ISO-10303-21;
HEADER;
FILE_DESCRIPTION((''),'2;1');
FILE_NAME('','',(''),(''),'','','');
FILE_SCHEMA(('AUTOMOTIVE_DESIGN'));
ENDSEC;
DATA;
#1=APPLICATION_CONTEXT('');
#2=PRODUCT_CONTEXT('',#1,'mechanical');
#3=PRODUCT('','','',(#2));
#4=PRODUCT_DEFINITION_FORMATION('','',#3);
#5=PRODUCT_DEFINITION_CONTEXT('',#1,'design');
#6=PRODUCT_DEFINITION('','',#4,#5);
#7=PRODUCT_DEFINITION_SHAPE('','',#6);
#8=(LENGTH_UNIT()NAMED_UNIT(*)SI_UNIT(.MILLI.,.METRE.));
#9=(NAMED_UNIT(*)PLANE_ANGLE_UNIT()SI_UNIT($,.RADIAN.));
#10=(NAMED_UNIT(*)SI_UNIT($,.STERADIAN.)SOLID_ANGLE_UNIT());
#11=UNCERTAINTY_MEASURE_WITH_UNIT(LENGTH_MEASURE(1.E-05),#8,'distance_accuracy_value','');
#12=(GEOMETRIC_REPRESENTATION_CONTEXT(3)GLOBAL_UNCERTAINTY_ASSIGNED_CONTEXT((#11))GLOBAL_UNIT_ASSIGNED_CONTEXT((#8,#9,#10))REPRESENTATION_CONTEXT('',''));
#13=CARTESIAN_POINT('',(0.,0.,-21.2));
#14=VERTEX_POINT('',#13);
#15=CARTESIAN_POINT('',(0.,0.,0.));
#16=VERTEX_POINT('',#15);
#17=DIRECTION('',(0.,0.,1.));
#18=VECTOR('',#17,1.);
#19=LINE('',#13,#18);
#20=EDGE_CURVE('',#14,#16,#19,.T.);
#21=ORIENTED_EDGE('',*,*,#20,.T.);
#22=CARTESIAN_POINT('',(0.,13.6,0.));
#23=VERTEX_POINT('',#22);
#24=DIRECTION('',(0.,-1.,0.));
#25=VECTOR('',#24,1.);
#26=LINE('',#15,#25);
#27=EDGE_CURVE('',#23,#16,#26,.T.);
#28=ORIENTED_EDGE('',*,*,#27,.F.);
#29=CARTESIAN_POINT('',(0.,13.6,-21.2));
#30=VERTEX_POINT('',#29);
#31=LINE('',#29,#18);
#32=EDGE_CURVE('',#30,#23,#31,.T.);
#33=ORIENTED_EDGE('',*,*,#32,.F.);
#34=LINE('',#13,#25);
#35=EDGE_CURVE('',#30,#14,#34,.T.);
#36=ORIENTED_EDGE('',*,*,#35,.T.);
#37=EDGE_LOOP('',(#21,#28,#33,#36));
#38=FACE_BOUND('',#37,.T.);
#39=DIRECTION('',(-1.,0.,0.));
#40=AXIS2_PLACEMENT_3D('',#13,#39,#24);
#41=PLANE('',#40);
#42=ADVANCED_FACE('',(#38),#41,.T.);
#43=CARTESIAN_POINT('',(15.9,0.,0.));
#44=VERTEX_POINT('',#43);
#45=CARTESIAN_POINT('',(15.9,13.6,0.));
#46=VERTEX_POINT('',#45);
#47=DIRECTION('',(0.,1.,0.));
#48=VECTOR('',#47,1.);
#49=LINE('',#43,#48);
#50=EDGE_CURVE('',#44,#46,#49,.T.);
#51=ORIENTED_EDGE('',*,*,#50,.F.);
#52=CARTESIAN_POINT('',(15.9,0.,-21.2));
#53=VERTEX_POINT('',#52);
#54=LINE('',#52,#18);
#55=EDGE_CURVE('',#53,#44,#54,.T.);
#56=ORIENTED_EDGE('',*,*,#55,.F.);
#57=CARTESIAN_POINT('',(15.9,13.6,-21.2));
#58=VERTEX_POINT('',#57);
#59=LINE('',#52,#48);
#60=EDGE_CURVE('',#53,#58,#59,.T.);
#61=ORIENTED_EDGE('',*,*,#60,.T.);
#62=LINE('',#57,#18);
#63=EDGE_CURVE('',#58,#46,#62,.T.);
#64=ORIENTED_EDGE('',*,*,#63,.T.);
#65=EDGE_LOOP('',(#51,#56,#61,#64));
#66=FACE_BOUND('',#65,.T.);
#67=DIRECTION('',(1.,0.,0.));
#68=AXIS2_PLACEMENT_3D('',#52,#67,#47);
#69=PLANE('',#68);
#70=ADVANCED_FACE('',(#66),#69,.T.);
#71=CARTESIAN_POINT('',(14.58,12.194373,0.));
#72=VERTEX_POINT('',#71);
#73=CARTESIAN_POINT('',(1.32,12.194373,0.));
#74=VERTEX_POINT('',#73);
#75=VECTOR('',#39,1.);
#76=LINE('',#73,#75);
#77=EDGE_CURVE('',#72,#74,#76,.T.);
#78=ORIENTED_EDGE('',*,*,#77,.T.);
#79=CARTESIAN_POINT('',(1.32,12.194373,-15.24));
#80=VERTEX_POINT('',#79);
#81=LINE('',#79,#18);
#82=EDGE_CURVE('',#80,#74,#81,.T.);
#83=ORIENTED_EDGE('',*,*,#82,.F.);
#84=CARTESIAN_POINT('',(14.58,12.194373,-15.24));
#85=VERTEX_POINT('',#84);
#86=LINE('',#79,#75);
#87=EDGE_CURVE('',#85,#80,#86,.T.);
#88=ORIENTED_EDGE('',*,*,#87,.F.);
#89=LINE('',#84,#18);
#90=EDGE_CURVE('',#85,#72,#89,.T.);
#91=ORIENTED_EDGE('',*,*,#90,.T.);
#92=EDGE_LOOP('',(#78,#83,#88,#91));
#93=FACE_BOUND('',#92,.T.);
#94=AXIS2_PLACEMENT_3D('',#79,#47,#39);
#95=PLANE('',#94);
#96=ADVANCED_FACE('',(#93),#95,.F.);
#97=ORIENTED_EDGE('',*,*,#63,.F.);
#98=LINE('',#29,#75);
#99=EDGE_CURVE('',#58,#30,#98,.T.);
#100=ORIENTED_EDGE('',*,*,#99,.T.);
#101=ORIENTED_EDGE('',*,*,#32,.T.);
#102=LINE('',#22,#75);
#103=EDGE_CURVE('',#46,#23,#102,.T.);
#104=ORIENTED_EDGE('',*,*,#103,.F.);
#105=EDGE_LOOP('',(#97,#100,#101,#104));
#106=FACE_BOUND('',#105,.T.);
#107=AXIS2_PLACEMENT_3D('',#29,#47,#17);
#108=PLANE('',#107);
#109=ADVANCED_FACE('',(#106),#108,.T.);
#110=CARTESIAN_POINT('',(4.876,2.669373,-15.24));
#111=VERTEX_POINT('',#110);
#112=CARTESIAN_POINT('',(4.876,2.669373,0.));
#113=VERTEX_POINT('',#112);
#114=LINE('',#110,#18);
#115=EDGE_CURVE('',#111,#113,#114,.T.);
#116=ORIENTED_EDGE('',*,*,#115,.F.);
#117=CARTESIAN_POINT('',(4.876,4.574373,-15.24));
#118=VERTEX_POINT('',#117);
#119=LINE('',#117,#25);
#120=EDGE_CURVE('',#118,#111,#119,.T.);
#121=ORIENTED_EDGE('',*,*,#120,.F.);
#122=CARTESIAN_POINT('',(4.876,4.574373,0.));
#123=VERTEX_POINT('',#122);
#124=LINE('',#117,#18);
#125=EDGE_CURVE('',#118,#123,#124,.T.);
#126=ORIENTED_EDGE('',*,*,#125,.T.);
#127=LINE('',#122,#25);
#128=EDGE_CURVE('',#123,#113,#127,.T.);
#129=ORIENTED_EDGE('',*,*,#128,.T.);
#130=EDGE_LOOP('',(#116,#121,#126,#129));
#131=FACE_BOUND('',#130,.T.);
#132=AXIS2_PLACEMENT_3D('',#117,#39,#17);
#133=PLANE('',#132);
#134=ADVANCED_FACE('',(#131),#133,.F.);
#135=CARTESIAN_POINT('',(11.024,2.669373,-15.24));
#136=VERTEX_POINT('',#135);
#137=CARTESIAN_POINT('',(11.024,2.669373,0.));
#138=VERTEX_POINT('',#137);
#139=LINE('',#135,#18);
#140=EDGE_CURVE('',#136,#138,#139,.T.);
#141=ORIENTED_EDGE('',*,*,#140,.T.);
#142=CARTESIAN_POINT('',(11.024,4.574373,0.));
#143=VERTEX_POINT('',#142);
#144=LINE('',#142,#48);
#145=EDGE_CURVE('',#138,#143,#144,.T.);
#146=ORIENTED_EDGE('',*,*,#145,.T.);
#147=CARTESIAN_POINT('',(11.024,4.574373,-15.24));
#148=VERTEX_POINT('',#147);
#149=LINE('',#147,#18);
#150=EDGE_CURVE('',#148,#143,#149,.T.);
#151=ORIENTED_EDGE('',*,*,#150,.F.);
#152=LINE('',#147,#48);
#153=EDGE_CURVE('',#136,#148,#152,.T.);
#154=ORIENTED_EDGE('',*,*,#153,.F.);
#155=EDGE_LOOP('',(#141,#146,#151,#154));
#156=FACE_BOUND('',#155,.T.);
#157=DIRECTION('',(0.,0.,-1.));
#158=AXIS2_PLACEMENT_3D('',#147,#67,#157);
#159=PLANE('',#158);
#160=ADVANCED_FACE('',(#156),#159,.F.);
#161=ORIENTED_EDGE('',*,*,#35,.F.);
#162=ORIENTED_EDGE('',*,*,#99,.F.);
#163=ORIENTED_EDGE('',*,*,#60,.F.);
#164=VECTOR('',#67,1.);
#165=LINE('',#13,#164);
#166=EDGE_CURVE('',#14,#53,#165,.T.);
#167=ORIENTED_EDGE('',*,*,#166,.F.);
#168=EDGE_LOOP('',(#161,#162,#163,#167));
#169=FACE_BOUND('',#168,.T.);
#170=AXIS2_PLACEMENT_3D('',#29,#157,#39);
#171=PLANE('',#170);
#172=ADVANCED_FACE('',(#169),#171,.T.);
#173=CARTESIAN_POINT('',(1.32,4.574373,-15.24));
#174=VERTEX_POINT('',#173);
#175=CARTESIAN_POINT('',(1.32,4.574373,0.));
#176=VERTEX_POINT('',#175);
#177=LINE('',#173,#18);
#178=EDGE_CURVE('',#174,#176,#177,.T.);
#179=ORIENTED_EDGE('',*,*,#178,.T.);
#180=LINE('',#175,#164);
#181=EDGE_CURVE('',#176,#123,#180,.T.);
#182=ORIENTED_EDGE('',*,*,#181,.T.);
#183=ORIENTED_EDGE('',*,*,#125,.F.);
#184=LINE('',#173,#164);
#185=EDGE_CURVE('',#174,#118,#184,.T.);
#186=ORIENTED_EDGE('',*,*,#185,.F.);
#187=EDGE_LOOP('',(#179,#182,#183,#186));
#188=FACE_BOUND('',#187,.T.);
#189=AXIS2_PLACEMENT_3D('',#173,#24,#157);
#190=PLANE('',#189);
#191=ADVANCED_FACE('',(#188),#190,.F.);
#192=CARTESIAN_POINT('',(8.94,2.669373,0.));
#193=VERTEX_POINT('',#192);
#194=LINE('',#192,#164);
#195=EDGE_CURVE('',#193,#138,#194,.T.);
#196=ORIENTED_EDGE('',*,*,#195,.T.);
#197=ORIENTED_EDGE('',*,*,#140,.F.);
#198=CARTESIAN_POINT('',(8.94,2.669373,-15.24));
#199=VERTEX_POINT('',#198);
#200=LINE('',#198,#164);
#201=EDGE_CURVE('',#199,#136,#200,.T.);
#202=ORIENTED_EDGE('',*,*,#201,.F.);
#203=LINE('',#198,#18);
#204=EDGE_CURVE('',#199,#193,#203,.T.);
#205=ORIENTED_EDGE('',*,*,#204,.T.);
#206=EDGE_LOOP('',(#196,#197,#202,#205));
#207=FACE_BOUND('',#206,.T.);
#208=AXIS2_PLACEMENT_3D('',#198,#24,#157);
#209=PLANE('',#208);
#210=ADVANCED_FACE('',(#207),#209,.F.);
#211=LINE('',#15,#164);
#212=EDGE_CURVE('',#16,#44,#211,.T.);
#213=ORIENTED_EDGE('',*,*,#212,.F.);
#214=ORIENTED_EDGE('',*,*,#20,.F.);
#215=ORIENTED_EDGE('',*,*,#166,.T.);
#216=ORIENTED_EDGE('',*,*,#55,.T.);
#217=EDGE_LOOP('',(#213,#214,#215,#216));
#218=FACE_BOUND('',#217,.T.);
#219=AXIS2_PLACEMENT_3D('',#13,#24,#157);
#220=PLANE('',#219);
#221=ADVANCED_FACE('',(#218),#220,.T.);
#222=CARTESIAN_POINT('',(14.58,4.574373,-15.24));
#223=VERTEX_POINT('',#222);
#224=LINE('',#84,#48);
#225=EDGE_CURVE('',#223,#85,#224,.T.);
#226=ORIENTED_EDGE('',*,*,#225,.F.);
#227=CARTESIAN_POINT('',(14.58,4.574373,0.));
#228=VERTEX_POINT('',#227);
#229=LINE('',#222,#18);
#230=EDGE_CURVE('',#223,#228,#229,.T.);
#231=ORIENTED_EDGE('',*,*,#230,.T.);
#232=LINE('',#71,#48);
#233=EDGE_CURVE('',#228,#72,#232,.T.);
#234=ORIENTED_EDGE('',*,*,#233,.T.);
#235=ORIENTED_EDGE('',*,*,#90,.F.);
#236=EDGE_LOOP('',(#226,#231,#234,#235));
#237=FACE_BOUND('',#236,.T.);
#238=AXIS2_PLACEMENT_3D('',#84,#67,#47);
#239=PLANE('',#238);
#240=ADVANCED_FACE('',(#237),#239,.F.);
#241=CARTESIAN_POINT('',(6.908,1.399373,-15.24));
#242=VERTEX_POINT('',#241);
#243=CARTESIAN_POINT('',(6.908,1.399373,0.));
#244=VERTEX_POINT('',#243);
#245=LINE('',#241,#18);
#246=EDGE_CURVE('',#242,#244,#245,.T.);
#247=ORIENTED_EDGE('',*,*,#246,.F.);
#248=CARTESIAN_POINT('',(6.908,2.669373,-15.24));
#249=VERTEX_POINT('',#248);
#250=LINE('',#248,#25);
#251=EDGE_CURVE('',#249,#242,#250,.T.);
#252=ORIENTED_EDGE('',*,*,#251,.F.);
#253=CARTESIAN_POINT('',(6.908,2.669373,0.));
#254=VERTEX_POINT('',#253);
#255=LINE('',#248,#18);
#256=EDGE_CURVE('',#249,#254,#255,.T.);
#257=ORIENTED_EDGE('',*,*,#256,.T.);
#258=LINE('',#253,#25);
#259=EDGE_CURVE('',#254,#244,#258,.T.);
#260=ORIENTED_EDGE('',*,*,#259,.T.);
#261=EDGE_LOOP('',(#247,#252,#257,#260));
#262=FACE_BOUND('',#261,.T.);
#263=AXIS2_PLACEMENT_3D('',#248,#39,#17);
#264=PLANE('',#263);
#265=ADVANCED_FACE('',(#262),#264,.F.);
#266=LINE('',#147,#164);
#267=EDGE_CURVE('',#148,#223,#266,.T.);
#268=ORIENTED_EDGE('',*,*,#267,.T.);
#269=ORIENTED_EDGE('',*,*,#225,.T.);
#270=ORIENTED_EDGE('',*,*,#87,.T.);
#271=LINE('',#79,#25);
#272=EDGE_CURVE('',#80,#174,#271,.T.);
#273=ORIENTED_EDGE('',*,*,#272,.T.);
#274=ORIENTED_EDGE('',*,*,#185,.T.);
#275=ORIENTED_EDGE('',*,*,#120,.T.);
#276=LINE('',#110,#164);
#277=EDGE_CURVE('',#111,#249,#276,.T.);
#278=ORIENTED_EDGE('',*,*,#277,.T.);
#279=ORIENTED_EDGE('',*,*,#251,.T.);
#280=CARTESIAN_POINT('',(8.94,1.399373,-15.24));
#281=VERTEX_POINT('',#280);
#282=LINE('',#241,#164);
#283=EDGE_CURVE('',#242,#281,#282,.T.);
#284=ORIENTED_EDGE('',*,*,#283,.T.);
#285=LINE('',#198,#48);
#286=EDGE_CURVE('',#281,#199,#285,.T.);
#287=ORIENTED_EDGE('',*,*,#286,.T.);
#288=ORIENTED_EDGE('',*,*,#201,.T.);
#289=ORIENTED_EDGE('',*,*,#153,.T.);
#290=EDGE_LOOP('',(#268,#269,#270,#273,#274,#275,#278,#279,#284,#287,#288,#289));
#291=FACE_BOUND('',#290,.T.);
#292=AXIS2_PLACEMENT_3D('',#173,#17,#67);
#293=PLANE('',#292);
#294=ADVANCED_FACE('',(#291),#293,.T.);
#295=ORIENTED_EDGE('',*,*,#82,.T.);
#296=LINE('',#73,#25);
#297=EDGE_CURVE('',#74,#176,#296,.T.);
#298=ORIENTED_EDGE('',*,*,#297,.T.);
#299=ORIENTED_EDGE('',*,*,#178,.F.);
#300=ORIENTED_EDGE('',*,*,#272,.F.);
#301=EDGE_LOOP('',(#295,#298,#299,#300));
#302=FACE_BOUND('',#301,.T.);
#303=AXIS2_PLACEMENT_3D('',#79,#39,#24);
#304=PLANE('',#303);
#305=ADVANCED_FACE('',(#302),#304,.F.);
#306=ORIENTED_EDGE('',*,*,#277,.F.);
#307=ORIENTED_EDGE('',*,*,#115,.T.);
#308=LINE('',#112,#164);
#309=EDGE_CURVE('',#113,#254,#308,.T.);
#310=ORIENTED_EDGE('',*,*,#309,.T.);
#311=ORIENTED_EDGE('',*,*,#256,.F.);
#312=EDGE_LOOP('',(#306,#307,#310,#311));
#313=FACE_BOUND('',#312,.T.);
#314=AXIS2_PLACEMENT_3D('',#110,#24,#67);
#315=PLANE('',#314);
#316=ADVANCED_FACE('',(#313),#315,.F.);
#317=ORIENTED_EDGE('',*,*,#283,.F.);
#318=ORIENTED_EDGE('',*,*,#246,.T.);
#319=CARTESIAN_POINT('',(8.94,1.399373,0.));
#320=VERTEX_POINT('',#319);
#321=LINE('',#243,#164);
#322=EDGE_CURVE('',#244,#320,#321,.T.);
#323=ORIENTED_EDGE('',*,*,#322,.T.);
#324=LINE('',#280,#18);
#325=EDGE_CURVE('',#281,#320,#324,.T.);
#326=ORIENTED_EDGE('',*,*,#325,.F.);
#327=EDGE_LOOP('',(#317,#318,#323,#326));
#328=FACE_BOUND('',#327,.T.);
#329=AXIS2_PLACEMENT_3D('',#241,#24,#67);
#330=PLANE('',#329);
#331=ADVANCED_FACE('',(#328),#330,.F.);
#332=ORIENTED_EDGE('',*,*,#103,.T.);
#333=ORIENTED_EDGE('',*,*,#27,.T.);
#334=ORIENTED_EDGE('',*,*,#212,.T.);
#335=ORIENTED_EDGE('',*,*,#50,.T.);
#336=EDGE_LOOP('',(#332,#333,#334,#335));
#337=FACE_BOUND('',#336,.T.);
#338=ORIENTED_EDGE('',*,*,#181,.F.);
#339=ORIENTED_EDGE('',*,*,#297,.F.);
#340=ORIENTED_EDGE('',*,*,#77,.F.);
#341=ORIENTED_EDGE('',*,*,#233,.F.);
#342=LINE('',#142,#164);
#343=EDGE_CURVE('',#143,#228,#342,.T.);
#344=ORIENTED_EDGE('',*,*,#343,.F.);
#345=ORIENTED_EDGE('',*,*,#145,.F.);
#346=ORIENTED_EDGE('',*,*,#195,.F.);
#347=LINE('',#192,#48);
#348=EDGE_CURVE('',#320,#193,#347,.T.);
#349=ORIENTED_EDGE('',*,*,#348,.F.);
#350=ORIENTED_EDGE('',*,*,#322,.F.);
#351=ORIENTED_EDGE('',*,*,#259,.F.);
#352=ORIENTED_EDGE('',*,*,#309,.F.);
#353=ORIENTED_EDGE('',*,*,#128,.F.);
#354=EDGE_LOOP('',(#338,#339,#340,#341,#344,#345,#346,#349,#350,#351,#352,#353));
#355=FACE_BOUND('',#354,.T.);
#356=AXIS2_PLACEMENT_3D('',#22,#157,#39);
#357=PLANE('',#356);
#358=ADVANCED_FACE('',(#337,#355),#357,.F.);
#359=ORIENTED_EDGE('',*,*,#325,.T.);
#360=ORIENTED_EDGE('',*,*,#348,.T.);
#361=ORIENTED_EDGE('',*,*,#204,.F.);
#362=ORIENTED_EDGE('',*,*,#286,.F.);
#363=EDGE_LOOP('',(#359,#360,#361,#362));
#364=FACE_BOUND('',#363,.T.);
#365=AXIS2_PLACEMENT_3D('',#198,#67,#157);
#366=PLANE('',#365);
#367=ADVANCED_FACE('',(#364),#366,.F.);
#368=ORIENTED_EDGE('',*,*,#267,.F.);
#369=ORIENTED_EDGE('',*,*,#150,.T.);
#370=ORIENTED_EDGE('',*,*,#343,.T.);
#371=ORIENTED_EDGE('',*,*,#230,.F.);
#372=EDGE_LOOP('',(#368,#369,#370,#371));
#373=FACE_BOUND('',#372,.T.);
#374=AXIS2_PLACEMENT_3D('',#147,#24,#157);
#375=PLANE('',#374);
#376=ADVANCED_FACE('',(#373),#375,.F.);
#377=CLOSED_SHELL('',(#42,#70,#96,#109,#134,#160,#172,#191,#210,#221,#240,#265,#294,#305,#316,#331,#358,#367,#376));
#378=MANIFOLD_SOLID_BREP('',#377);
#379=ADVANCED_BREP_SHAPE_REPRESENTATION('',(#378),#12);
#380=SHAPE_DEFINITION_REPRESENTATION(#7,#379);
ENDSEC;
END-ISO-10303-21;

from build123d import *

# Parameters (mm, degrees)
SKETCH1_W           = 15.9
SKETCH1_H           = 13.6
BOSS_EXTRUDE1_DEPTH = 21.2
CUT_EXTRUDE1_DEPTH  = 15.24


with BuildPart() as part:
    # Sketch1 → Boss-Extrude1 (new body)
    with BuildSketch(Plane.XY):
        with Locations((7.95, 6.8)):
            Rectangle(SKETCH1_W, SKETCH1_H)
    extrude(amount=-BOSS_EXTRUDE1_DEPTH)

    # Sketch2 → Cut-Extrude1 (cut)
    with BuildSketch(Plane.XY):
        Polygon((1.32, 12.19437295), (14.58, 12.19437295), (14.58, 4.57437295), (11.024, 4.57437295), (11.024, 2.66937295), (8.94, 2.66937295), (8.94, 1.39937295), (6.908, 1.39937295), (6.908, 2.66937295), (4.876, 2.66937295), (4.876, 4.57437295), (1.32, 4.57437295), align=None)
    extrude(amount=-CUT_EXTRUDE1_DEPTH, mode=Mode.SUBTRACT)


solid = part.part
